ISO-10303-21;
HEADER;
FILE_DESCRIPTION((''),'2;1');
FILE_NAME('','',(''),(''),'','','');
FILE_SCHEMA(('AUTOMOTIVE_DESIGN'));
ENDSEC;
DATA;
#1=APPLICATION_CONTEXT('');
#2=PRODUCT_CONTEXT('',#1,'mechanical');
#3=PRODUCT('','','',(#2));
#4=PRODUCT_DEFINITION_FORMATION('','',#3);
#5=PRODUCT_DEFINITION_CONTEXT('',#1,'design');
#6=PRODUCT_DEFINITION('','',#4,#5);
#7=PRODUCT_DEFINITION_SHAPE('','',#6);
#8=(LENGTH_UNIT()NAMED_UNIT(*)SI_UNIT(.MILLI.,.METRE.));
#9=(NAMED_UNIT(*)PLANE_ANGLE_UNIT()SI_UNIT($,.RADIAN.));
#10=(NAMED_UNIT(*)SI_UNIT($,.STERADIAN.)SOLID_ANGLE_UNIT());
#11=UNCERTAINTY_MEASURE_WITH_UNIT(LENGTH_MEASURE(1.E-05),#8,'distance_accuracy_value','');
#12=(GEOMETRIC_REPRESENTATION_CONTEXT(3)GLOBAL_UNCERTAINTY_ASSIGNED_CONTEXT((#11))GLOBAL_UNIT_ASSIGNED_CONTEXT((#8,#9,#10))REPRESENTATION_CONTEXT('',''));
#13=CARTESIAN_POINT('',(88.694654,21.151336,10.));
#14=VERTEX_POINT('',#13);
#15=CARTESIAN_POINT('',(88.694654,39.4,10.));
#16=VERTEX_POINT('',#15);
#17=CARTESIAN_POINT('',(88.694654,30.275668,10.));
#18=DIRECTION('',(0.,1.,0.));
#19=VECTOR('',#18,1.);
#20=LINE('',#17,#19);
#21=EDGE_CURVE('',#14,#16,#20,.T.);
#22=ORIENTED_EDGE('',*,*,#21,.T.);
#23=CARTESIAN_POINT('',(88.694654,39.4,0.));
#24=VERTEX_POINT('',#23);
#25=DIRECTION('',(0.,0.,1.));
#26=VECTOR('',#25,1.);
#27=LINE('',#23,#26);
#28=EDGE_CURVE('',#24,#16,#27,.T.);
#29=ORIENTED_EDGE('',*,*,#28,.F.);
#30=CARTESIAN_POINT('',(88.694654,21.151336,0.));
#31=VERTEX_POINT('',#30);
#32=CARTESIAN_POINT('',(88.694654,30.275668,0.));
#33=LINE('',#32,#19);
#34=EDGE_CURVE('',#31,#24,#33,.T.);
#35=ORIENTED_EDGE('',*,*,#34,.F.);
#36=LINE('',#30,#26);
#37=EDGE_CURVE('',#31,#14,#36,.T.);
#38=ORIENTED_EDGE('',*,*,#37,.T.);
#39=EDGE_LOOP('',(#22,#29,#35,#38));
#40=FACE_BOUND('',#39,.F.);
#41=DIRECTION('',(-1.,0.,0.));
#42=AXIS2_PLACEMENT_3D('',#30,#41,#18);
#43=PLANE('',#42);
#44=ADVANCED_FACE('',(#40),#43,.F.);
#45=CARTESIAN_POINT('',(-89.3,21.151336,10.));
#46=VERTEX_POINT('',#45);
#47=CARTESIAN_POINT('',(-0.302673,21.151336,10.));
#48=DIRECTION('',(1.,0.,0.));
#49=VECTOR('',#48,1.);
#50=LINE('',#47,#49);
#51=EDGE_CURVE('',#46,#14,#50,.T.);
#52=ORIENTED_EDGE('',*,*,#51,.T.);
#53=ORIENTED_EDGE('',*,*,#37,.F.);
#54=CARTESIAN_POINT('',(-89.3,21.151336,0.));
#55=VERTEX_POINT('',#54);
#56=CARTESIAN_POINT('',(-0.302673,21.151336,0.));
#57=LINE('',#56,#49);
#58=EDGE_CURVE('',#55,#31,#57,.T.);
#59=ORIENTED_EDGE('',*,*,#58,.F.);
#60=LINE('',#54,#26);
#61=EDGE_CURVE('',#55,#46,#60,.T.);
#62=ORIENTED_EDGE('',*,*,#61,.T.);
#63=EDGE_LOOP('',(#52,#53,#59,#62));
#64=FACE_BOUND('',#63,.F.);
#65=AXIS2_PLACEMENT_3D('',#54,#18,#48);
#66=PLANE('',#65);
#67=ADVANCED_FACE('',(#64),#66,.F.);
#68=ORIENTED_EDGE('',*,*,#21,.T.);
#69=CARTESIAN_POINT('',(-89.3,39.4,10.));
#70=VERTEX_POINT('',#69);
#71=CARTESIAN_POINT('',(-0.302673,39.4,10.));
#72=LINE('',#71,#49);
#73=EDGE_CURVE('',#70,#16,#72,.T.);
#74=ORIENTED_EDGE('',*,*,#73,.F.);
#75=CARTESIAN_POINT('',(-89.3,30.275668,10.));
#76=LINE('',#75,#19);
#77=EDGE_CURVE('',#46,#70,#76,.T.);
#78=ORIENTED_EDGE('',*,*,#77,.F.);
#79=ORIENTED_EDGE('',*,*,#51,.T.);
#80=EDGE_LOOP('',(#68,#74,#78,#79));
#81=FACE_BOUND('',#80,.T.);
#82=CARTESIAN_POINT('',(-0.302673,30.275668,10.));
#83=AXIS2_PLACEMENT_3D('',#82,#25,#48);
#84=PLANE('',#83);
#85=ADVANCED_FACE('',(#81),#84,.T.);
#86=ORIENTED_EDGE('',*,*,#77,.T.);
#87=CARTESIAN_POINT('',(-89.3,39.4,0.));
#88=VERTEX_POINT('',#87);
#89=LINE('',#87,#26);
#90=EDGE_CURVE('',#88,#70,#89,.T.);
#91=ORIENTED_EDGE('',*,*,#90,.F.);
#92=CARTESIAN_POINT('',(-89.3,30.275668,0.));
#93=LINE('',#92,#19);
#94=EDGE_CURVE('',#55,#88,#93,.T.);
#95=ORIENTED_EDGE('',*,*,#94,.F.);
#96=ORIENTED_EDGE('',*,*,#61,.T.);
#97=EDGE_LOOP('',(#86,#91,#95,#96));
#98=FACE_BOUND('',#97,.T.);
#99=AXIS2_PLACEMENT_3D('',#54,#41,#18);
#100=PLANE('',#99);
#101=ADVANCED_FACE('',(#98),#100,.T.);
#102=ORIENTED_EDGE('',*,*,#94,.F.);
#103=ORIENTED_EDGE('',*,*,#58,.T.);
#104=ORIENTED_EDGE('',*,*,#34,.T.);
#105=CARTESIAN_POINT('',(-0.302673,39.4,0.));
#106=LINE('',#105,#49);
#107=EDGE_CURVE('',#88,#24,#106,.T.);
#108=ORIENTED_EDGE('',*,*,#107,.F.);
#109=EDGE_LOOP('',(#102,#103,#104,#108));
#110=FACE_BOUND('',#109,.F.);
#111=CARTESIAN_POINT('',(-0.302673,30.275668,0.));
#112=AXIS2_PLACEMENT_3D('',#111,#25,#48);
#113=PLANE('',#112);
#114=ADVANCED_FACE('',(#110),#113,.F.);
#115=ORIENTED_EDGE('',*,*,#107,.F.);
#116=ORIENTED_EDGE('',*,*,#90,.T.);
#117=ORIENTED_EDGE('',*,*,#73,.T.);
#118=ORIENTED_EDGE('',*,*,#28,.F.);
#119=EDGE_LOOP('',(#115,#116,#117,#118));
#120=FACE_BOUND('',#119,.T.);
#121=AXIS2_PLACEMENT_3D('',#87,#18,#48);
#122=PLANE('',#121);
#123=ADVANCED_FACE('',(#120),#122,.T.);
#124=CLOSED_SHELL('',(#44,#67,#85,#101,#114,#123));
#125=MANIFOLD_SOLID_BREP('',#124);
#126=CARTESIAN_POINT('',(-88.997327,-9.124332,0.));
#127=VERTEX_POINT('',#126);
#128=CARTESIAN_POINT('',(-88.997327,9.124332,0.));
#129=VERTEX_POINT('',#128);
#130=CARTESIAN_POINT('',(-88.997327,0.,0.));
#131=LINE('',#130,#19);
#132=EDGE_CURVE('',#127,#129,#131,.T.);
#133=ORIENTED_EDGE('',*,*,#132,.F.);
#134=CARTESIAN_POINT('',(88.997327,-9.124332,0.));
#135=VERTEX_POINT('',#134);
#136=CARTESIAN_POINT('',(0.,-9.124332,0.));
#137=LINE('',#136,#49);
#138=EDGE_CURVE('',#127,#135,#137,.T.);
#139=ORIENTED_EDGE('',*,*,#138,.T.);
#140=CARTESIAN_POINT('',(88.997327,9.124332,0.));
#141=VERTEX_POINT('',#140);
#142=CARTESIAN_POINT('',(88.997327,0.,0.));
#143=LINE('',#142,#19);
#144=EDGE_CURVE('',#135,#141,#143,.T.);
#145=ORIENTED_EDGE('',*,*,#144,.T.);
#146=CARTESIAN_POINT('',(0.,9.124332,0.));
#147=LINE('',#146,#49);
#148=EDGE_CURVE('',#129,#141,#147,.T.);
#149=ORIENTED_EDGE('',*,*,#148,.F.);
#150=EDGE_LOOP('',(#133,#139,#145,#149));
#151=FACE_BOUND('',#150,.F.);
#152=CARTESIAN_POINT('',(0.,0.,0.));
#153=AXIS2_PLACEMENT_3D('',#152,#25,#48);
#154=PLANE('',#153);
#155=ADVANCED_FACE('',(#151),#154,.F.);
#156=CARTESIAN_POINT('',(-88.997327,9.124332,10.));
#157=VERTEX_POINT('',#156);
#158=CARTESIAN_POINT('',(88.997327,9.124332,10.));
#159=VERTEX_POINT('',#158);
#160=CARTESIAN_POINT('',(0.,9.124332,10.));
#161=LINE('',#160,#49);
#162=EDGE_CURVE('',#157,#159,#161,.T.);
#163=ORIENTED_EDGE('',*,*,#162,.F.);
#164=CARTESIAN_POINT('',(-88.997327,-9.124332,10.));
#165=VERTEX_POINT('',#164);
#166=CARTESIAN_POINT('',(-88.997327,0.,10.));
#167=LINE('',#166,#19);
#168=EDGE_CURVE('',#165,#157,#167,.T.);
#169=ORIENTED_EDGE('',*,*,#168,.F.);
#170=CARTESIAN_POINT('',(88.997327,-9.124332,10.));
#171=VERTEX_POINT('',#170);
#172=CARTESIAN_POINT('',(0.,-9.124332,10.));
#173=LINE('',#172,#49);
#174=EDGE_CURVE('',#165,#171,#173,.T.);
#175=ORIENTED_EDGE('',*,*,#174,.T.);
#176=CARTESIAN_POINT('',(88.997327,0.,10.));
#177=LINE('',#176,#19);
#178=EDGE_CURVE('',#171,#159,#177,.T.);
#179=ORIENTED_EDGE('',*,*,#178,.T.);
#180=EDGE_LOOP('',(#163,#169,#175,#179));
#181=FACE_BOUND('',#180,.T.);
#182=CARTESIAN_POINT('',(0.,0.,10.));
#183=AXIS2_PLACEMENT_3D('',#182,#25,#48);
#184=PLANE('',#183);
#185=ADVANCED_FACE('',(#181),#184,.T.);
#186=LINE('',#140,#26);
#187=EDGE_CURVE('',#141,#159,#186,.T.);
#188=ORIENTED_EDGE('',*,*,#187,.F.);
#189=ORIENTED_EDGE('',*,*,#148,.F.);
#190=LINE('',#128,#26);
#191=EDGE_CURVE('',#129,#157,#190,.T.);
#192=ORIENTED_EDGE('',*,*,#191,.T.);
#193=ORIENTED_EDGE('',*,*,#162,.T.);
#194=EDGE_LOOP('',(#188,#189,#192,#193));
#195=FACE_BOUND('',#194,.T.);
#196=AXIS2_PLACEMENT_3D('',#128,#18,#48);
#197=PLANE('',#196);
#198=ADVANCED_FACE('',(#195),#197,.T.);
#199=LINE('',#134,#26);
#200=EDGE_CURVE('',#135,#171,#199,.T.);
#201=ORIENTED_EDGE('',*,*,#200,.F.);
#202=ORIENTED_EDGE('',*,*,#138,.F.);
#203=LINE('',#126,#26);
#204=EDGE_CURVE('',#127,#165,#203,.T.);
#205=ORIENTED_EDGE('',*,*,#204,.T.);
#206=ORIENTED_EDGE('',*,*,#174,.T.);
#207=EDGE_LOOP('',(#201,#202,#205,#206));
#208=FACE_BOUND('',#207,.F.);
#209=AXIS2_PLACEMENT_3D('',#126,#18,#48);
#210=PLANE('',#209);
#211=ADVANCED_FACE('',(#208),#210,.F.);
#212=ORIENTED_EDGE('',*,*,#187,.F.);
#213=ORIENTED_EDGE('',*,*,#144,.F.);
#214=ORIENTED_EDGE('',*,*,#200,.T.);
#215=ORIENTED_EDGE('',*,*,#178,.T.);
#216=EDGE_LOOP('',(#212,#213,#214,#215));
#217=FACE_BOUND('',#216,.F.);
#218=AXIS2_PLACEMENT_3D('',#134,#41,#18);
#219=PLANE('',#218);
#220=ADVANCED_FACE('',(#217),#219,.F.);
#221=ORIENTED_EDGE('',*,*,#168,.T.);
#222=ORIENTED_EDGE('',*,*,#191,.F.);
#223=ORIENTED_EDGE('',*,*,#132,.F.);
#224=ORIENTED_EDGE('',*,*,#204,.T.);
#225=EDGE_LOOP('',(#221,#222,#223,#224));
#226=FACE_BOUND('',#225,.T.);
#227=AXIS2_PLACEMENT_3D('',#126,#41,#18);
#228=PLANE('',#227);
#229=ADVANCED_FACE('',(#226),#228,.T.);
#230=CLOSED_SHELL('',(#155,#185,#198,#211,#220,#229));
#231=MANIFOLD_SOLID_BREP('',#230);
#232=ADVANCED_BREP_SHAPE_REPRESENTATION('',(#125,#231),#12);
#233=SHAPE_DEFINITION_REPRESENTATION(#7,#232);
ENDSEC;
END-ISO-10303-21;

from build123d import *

# Parameters (mm, degrees)
F0_W     = 177.994654
F0_H     = 18.248664
F1_DEPTH = 10


with BuildPart() as f1:
    # F0 (on Top) → F1 (new body)
    with BuildSketch(Plane.XY):
        Rectangle(F0_W, F0_H)
        with Locations((-0.302673, 30.275668)):
            Rectangle(F0_W, F0_H)
    extrude(amount=F1_DEPTH)


solid = f1.part
